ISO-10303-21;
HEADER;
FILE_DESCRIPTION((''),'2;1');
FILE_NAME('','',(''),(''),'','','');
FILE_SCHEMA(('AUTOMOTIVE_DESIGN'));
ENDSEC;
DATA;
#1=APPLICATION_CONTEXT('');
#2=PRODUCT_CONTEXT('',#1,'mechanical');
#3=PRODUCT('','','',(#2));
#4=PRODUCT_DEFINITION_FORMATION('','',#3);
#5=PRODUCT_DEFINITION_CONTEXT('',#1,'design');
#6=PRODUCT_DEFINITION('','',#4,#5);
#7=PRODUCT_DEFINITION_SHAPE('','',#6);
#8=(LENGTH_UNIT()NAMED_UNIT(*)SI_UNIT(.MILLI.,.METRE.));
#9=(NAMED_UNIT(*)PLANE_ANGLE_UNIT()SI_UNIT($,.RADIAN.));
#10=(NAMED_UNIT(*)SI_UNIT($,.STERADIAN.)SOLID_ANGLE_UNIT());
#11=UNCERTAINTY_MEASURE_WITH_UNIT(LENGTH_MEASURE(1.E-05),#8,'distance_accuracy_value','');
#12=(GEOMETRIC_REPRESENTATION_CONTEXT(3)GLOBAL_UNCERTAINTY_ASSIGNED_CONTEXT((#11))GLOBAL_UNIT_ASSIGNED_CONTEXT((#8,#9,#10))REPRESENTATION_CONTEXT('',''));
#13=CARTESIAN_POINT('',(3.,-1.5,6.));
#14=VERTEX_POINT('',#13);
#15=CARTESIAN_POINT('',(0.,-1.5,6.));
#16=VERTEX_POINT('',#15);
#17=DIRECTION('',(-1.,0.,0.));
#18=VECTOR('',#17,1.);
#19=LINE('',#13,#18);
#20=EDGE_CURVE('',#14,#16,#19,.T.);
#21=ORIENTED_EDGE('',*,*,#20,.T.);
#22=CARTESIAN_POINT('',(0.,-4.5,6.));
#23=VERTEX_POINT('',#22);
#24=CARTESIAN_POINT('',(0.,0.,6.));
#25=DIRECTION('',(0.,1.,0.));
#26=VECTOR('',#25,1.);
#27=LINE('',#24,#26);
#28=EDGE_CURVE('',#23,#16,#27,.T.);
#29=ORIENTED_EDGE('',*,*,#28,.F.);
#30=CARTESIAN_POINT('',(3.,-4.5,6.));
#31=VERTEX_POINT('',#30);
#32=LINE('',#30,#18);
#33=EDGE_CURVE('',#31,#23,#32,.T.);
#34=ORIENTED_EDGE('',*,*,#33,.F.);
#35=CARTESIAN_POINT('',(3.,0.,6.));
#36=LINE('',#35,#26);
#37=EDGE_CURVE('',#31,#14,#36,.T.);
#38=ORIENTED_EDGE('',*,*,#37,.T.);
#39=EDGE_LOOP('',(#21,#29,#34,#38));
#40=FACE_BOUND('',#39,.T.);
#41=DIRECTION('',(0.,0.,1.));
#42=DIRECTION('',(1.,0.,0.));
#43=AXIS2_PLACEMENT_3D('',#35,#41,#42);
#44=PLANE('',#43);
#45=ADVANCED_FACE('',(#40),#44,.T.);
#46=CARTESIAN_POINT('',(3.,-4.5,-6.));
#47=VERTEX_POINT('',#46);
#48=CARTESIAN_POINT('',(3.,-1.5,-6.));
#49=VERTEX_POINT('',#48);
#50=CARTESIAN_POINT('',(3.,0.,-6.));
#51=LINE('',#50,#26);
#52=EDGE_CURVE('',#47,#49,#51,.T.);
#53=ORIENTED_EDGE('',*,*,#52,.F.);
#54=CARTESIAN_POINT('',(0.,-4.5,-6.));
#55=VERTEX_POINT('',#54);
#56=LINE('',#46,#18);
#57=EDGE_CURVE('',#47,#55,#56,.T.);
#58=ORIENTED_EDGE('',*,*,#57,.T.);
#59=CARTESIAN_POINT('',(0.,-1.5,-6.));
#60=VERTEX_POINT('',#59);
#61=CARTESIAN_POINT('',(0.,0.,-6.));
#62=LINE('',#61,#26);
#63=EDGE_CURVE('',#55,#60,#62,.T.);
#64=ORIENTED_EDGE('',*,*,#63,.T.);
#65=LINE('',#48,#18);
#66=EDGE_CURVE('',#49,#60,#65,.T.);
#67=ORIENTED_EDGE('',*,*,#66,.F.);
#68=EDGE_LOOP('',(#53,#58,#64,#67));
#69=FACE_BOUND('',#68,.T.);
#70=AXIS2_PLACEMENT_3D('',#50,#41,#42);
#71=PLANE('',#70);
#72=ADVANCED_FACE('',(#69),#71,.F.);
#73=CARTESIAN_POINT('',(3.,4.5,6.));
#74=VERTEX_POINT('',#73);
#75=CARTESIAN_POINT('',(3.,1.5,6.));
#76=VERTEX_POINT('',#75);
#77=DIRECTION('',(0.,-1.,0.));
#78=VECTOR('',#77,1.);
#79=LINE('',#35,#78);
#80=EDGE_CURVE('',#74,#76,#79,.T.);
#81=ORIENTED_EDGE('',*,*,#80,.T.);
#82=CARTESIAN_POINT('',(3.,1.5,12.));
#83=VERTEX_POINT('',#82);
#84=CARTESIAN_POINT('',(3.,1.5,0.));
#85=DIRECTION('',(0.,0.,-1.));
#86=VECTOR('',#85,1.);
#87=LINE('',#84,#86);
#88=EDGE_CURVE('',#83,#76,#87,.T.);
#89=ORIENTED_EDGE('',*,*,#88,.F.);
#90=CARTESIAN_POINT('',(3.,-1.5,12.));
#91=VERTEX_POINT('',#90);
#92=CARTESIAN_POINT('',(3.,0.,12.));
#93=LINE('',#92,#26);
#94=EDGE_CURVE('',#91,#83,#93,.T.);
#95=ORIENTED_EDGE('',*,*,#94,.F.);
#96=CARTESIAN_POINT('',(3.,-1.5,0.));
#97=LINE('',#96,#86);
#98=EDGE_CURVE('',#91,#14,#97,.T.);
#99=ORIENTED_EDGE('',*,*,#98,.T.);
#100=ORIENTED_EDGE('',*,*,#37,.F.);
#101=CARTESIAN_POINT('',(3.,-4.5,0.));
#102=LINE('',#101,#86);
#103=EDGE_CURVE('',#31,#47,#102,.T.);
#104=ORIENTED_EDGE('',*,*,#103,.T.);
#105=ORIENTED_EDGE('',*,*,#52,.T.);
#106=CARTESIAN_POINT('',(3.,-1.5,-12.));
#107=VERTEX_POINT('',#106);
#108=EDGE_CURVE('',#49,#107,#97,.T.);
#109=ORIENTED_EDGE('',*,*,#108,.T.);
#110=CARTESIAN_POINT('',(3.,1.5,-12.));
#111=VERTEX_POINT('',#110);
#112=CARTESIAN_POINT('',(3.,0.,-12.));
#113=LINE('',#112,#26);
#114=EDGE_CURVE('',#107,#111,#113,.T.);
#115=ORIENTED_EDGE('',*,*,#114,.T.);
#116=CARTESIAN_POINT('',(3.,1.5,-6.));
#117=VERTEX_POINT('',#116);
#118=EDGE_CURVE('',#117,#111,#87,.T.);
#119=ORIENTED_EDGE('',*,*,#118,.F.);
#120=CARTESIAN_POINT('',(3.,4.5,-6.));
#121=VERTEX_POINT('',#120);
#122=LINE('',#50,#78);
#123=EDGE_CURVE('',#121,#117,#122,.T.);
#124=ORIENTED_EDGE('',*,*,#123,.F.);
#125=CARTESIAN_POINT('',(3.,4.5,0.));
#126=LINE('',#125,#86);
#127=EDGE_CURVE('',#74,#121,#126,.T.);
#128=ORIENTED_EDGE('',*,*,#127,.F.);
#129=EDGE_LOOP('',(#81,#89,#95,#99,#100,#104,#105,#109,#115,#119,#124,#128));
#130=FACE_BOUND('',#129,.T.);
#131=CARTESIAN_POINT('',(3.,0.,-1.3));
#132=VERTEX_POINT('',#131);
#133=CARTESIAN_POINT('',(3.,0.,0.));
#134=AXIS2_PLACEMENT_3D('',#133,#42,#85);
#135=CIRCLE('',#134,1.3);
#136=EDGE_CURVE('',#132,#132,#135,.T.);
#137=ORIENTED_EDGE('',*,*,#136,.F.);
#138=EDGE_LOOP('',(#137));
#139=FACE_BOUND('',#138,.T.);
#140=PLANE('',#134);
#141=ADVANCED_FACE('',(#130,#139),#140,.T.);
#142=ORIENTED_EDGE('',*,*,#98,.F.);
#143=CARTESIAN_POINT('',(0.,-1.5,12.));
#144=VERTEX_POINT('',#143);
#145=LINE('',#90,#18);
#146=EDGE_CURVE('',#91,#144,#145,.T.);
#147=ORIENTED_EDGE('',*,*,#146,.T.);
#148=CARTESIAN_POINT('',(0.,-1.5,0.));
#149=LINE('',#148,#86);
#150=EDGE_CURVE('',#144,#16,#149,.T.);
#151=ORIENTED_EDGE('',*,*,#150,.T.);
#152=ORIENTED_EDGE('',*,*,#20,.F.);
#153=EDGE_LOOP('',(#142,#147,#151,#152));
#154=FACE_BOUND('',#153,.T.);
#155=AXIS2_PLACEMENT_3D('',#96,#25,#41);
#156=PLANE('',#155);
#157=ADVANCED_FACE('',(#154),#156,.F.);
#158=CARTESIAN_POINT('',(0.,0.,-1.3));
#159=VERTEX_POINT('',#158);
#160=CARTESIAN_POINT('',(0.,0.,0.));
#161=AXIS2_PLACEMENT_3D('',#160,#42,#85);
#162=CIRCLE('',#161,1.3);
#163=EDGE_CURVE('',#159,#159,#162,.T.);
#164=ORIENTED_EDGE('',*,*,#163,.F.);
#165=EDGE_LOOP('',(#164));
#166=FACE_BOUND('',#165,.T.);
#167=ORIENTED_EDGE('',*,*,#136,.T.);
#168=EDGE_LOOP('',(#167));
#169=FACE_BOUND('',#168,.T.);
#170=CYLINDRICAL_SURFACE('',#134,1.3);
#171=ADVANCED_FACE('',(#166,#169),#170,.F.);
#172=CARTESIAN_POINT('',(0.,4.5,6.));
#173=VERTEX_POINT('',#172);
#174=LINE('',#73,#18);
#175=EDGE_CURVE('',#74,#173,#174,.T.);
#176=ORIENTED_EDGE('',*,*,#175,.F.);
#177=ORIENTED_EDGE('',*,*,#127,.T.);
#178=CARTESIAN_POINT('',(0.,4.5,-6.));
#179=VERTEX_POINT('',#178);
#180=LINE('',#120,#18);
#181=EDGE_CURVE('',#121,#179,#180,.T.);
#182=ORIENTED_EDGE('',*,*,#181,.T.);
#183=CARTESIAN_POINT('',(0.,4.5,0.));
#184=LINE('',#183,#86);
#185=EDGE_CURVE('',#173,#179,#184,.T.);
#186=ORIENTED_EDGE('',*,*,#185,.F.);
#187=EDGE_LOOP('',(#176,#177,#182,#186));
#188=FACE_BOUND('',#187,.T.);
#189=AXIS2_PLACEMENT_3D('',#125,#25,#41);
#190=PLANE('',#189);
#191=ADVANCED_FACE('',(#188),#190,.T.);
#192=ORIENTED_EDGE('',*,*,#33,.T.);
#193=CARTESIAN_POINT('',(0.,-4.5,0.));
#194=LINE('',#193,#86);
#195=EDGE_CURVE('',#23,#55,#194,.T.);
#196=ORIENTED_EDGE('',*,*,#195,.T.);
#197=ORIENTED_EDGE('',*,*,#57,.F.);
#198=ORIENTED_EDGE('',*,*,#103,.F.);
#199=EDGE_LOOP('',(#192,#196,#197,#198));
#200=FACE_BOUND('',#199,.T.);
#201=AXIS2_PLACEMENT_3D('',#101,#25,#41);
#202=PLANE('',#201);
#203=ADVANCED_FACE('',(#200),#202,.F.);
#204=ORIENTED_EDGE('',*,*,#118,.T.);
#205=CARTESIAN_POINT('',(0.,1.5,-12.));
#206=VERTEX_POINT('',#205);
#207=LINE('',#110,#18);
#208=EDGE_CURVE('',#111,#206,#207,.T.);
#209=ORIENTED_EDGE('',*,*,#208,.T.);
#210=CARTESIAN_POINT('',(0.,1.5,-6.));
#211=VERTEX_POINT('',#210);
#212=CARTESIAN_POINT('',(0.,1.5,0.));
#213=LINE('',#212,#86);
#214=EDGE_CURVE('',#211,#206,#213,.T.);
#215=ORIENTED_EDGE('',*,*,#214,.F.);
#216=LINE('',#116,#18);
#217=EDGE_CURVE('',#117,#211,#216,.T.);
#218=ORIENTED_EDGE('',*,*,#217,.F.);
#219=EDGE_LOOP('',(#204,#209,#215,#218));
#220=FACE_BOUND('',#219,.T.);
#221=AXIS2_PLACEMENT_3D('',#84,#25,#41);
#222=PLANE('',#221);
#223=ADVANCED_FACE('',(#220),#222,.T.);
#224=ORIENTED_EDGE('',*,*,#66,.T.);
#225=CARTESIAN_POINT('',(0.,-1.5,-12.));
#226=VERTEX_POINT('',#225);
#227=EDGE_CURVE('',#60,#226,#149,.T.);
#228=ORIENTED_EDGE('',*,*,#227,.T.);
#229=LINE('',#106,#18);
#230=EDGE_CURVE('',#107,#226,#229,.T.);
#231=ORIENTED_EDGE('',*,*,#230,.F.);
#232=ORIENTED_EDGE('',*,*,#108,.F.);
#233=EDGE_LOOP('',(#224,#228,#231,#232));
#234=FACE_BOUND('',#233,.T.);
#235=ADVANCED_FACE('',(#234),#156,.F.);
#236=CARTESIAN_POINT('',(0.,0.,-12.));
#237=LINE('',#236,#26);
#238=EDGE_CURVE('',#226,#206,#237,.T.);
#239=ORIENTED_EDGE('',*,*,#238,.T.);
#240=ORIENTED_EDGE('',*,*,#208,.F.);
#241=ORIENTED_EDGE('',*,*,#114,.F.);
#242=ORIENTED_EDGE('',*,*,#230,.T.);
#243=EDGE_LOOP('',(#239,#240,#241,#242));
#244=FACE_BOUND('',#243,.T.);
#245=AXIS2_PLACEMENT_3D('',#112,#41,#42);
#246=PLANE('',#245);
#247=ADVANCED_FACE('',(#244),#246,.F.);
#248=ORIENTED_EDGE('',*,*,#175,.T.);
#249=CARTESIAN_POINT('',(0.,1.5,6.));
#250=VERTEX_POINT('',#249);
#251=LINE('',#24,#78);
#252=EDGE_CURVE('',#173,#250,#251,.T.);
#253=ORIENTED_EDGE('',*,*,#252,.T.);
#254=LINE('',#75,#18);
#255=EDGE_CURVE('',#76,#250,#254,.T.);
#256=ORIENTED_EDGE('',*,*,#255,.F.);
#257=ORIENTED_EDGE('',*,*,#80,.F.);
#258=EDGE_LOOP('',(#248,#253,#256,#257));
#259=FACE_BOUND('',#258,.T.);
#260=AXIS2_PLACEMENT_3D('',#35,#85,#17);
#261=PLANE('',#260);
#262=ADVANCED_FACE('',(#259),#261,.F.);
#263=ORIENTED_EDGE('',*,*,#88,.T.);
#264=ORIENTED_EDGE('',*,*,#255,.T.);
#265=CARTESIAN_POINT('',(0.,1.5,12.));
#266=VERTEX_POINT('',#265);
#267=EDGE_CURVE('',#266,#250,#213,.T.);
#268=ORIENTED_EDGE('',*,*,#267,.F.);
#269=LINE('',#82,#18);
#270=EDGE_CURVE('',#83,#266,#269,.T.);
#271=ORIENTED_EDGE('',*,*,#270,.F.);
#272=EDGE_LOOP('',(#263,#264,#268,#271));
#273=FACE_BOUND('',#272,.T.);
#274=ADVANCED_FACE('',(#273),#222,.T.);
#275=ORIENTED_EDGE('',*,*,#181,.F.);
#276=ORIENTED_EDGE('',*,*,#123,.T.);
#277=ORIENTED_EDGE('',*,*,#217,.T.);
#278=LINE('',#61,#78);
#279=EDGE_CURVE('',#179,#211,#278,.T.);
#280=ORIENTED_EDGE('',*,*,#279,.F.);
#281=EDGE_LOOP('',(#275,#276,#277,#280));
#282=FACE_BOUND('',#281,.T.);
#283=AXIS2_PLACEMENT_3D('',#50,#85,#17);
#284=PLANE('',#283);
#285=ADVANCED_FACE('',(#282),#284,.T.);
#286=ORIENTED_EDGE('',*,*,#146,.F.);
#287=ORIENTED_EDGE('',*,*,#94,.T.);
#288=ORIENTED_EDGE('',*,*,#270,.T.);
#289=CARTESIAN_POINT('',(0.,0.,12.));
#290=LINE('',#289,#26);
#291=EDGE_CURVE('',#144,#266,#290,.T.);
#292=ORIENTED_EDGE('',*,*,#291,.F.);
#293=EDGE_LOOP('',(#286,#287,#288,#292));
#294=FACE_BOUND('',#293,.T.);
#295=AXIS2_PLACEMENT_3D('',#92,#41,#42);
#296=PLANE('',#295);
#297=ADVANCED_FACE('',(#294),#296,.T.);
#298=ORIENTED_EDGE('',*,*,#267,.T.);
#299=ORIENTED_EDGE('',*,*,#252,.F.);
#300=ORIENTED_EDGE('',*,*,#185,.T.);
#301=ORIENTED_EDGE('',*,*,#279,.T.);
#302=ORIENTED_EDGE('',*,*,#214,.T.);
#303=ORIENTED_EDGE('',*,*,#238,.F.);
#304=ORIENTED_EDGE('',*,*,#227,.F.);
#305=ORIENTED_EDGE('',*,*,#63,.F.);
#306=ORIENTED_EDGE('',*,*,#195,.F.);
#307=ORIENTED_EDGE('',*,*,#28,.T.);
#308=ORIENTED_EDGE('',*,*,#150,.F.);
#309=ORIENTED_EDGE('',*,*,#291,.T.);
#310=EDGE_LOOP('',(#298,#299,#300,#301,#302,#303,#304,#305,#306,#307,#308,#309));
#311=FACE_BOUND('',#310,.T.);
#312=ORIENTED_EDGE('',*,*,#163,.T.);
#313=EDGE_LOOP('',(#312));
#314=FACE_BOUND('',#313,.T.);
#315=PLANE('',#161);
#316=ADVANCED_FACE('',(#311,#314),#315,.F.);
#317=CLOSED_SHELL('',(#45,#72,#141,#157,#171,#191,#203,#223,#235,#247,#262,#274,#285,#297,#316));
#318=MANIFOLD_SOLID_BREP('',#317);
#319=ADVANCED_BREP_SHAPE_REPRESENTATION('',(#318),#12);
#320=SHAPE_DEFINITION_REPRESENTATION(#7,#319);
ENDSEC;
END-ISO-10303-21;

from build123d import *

# Parameters (mm, degrees)
PRINCIPAL_W                  = 12
PRINCIPAL_H                  = 3
PRINCIPAL_W_2                = 24
BASE_DEPTH                   = 3
FURO_DE_DI_METRO_2_6_2_6_1_D = 2.6


with BuildPart() as part:
    # Principal → Base (new body)
    with BuildSketch(Plane(origin=(0, 0, 0), x_dir=(0, 0, -1), z_dir=(1, 0, 0))):
        with Locations((0, 3)):
            Rectangle(PRINCIPAL_W, PRINCIPAL_H)
        Rectangle(PRINCIPAL_W_2, PRINCIPAL_H)
        with Locations((0, -3)):
            Rectangle(PRINCIPAL_W, PRINCIPAL_H)
    extrude(amount=BASE_DEPTH)

    # Furo de diâmetro Ø2.6 (2.6)1 (through all)
    with Locations(Plane(origin=(3, 0, 0), x_dir=(0, 0, -1), z_dir=(1, 0, 0))):
        with Locations((0, 0)):
            Hole(FURO_DE_DI_METRO_2_6_2_6_1_D / 2)


solid = part.part
